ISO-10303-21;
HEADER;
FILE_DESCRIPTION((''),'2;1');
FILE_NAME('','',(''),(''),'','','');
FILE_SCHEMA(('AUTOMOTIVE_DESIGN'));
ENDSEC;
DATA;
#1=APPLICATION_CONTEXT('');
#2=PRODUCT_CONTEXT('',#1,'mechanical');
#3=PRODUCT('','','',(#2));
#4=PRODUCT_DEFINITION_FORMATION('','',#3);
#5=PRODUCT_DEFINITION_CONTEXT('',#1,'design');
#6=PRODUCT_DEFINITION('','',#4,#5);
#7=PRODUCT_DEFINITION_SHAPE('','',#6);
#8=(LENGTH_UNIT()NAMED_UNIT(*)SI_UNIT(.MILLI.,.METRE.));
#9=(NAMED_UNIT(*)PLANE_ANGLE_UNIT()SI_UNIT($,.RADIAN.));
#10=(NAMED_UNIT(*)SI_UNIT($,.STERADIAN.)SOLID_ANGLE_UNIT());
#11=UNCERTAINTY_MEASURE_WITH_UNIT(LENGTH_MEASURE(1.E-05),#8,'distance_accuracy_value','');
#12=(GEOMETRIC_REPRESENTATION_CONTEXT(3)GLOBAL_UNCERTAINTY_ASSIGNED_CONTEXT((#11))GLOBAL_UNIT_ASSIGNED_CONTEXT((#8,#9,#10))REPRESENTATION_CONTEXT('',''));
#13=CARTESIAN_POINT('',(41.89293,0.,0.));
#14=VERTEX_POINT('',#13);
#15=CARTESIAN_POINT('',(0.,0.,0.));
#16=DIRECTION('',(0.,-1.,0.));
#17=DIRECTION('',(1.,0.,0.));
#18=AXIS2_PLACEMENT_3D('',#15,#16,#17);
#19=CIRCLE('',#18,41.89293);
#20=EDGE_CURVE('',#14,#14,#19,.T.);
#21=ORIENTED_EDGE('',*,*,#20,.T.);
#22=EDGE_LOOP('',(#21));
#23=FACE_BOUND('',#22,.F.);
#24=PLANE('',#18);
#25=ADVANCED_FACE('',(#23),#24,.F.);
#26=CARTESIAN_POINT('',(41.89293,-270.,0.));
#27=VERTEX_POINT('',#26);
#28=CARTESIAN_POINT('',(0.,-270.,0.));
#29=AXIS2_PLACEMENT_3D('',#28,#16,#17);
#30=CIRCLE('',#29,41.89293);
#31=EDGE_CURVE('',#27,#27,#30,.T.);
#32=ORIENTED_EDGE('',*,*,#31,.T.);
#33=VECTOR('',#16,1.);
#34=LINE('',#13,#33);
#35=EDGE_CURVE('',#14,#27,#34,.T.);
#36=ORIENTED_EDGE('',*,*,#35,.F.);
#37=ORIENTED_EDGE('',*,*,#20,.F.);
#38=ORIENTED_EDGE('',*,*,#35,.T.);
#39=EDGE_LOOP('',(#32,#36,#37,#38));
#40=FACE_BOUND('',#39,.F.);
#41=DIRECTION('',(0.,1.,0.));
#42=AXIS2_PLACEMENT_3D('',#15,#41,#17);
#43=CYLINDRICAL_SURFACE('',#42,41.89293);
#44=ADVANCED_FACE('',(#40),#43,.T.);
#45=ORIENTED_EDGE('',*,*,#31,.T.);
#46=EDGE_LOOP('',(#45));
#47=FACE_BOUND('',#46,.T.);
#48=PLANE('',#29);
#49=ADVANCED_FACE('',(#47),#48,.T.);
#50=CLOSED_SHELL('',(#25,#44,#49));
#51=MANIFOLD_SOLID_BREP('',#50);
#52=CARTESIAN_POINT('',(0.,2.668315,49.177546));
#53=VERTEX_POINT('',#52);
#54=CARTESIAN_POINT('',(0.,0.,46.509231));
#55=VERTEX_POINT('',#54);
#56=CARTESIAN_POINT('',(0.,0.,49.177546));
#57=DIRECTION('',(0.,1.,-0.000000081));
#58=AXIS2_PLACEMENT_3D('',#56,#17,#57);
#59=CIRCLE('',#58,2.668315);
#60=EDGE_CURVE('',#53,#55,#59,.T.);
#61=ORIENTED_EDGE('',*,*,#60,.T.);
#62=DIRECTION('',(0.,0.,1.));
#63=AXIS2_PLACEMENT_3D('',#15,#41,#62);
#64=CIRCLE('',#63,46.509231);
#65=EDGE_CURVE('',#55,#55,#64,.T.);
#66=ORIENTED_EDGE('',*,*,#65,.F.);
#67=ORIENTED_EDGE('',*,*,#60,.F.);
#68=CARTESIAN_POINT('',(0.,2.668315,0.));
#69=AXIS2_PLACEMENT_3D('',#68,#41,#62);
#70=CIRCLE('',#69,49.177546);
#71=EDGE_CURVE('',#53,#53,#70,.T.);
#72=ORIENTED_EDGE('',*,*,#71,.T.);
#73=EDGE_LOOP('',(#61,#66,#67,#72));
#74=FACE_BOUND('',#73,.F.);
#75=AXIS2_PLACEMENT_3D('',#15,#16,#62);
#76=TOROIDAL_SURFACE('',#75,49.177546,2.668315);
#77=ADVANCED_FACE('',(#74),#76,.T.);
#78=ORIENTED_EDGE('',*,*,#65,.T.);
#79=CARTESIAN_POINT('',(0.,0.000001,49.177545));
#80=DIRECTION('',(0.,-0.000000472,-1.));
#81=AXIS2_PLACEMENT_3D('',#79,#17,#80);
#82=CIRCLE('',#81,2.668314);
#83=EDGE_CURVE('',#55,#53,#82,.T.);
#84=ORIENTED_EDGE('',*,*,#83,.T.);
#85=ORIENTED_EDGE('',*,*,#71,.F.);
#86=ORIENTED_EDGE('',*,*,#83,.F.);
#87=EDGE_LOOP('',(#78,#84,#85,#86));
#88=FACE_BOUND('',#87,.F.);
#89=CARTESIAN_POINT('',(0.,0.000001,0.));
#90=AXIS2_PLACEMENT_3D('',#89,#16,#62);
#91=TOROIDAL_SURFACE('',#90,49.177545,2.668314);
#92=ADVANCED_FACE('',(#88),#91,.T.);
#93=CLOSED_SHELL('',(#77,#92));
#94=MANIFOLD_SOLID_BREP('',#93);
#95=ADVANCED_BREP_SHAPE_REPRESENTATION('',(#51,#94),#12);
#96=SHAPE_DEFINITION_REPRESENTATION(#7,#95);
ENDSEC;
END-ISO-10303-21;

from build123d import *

# Parameters (mm, degrees)
F0_R     = 41.89293
F1_DEPTH = 270


with BuildPart() as f1:
    # F0 (on Front) → F1 (new body)
    with BuildSketch(Plane.XZ):
        Circle(F0_R)
    extrude(amount=F1_DEPTH)


with BuildPart() as f3:
    # F2 (on Right) → F3 (revolve)
    with BuildSketch(Plane.YZ):
        with BuildLine():
            ThreePointArc((0, 46.509231), (1.886784, 47.290762), (2.668315, 49.177546))
            ThreePointArc((2.668315, 49.177546), (-1.886784, 51.06433), (0, 46.509231))
        make_face()
    revolve(axis=Axis((0, 10.905417, 0), (0, 1, 0)))


solid = Compound([f1.part, f3.part])
